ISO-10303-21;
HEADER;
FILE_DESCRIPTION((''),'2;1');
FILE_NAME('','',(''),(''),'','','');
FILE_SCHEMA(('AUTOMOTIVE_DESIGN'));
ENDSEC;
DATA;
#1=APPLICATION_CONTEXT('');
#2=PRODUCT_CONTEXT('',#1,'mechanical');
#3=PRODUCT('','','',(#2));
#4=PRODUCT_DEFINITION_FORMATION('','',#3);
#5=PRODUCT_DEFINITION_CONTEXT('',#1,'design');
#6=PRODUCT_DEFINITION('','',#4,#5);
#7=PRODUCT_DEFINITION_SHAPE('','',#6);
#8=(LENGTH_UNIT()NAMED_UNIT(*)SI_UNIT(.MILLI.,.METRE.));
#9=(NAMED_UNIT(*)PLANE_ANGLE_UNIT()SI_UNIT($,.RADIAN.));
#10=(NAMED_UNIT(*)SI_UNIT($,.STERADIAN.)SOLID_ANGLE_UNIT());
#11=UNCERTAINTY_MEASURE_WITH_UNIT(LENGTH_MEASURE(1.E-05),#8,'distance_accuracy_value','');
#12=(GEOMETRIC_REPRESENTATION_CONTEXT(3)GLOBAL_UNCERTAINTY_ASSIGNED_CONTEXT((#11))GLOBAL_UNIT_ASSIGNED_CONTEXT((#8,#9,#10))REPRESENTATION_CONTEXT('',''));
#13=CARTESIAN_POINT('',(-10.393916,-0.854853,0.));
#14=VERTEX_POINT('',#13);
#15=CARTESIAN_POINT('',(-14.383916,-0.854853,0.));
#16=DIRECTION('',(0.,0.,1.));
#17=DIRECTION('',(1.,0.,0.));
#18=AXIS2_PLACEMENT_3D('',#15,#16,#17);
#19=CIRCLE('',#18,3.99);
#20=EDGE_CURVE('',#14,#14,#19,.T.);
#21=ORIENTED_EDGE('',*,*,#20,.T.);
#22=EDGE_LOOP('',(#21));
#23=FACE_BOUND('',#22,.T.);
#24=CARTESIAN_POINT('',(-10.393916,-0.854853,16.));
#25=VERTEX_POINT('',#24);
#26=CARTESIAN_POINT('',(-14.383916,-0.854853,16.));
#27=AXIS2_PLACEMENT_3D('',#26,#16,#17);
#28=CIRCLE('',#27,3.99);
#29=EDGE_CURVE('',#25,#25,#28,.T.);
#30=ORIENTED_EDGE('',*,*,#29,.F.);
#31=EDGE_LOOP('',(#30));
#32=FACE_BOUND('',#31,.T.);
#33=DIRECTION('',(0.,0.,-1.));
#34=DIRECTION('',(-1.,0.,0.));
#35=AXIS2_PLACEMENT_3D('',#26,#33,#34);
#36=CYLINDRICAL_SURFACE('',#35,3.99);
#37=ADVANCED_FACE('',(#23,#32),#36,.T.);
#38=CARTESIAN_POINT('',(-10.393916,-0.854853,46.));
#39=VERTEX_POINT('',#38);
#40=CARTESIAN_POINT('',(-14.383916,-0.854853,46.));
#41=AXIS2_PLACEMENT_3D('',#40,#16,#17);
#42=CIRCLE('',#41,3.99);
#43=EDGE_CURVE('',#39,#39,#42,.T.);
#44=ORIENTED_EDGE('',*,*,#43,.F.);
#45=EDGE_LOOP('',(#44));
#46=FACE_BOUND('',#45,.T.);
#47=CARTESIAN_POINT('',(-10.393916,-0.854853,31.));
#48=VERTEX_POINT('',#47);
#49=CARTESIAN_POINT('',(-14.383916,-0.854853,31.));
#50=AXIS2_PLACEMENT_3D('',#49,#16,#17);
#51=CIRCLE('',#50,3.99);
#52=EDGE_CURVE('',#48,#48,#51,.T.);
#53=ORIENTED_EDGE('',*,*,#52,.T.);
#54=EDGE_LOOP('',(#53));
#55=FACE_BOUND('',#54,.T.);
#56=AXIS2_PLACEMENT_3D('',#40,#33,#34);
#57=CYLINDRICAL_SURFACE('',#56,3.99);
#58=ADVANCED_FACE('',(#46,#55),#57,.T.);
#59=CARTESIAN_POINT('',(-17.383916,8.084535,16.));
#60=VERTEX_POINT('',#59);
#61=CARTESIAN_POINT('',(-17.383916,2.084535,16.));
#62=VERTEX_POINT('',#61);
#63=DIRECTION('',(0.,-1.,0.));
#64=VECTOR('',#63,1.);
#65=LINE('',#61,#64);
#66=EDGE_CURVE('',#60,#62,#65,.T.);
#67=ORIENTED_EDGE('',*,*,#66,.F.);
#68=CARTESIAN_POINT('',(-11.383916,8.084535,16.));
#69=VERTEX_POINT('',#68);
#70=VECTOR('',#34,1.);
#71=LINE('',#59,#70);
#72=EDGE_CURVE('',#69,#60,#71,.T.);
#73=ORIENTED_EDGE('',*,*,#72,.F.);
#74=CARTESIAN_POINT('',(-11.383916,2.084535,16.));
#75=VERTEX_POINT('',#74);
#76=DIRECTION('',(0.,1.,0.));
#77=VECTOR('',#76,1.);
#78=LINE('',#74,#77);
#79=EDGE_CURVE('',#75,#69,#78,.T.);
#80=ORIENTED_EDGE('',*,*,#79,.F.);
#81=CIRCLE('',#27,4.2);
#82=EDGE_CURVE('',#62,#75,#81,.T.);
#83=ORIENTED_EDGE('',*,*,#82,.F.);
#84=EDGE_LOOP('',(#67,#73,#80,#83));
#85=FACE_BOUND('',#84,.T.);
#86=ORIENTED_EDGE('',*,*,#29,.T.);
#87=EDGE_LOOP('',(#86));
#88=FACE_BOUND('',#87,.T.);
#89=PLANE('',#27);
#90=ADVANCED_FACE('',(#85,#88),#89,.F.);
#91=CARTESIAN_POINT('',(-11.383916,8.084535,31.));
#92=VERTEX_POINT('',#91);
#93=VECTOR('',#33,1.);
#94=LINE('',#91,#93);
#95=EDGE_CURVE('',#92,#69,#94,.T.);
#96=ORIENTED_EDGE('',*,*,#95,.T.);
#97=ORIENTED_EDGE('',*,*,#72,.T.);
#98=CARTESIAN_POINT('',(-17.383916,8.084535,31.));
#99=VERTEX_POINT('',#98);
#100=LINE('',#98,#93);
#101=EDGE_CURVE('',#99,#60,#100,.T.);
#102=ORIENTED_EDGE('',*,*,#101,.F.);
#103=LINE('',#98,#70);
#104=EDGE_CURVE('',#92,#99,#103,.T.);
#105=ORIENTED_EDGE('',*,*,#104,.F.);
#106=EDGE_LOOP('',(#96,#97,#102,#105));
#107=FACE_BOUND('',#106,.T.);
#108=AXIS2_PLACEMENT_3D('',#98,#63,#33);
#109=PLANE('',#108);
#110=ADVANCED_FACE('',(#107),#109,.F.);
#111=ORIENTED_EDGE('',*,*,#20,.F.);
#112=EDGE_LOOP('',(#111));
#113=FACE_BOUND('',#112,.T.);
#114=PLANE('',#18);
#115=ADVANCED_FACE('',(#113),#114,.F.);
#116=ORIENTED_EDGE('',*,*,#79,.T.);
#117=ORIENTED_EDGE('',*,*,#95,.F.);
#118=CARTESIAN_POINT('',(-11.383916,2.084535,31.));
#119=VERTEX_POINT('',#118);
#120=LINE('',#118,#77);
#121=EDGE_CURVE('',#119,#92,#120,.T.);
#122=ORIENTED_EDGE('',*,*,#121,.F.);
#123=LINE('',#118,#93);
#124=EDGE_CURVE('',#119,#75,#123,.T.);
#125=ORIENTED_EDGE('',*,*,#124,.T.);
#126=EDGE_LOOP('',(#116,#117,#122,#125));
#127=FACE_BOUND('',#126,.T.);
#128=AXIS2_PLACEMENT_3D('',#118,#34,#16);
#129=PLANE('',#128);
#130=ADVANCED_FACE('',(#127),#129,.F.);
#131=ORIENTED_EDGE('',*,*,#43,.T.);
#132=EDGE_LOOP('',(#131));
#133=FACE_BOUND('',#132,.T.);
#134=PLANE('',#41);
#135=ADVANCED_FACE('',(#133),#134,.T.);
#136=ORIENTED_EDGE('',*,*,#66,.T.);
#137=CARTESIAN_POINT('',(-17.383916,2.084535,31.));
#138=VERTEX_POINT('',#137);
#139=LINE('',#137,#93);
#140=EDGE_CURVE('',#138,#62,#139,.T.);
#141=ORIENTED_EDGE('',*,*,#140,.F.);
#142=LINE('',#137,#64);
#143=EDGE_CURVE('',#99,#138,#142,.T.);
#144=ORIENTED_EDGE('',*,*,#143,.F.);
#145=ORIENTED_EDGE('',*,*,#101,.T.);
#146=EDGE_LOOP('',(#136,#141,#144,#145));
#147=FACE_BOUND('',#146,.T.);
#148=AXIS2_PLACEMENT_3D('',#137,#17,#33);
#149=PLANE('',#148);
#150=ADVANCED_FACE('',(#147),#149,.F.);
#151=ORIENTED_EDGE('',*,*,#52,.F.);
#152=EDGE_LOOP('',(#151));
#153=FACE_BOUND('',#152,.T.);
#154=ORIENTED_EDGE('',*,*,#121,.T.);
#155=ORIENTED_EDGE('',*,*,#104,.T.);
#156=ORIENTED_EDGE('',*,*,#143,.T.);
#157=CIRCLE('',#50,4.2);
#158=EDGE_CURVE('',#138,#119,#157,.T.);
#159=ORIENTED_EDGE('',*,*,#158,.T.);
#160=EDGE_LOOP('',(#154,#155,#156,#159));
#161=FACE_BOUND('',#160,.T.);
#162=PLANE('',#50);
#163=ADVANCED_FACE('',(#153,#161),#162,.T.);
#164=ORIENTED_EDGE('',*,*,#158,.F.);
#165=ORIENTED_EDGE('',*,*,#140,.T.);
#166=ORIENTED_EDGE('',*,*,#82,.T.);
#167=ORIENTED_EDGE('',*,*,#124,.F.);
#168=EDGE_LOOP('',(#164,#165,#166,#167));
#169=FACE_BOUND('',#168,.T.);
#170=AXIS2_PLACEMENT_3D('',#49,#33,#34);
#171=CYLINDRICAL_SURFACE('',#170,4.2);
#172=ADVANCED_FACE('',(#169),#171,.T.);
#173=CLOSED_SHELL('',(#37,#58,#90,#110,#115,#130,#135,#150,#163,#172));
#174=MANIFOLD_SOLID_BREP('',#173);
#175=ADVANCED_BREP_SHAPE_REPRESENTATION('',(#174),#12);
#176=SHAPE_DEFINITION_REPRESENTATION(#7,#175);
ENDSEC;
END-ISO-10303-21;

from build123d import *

# Parameters (mm, degrees)
SKETCH1_R           = 3.99
BOSS_EXTRUDE1_DEPTH = 16
BOSS_EXTRUDE7_DEPTH = 15
SKETCH7_R           = 3.99
BOSS_EXTRUDE8_DEPTH = 15


with BuildPart() as part:
    # Sketch1 → Boss-Extrude1 (new body)
    with BuildSketch(Plane.XY):
        with Locations((-14.383915809, -0.854852817)):
            Circle(SKETCH1_R)
    extrude(amount=BOSS_EXTRUDE1_DEPTH)

    # Sketch6 → Boss-Extrude7 (add)
    with BuildSketch(Plane.XY.offset(16)):
        with BuildLine():
            Line((-17.383915809, 2.084534875), (-17.383915809, 8.084534875))
            Line((-17.383915809, 8.084534875), (-11.383915809, 8.084534875))
            Line((-11.383915809, 8.084534875), (-11.383915809, 2.084534875))
            ThreePointArc((-11.383915809, 2.084534875), (-14.383915809, -5.054852817), (-17.383915809, 2.084534875))
        make_face()
    extrude(amount=BOSS_EXTRUDE7_DEPTH)

    # Sketch7 → Boss-Extrude8 (add)
    with BuildSketch(Plane.XY.offset(31)):
        with Locations((-14.383915809, -0.854852817)):
            Circle(SKETCH7_R)
    extrude(amount=BOSS_EXTRUDE8_DEPTH)


solid = part.part
